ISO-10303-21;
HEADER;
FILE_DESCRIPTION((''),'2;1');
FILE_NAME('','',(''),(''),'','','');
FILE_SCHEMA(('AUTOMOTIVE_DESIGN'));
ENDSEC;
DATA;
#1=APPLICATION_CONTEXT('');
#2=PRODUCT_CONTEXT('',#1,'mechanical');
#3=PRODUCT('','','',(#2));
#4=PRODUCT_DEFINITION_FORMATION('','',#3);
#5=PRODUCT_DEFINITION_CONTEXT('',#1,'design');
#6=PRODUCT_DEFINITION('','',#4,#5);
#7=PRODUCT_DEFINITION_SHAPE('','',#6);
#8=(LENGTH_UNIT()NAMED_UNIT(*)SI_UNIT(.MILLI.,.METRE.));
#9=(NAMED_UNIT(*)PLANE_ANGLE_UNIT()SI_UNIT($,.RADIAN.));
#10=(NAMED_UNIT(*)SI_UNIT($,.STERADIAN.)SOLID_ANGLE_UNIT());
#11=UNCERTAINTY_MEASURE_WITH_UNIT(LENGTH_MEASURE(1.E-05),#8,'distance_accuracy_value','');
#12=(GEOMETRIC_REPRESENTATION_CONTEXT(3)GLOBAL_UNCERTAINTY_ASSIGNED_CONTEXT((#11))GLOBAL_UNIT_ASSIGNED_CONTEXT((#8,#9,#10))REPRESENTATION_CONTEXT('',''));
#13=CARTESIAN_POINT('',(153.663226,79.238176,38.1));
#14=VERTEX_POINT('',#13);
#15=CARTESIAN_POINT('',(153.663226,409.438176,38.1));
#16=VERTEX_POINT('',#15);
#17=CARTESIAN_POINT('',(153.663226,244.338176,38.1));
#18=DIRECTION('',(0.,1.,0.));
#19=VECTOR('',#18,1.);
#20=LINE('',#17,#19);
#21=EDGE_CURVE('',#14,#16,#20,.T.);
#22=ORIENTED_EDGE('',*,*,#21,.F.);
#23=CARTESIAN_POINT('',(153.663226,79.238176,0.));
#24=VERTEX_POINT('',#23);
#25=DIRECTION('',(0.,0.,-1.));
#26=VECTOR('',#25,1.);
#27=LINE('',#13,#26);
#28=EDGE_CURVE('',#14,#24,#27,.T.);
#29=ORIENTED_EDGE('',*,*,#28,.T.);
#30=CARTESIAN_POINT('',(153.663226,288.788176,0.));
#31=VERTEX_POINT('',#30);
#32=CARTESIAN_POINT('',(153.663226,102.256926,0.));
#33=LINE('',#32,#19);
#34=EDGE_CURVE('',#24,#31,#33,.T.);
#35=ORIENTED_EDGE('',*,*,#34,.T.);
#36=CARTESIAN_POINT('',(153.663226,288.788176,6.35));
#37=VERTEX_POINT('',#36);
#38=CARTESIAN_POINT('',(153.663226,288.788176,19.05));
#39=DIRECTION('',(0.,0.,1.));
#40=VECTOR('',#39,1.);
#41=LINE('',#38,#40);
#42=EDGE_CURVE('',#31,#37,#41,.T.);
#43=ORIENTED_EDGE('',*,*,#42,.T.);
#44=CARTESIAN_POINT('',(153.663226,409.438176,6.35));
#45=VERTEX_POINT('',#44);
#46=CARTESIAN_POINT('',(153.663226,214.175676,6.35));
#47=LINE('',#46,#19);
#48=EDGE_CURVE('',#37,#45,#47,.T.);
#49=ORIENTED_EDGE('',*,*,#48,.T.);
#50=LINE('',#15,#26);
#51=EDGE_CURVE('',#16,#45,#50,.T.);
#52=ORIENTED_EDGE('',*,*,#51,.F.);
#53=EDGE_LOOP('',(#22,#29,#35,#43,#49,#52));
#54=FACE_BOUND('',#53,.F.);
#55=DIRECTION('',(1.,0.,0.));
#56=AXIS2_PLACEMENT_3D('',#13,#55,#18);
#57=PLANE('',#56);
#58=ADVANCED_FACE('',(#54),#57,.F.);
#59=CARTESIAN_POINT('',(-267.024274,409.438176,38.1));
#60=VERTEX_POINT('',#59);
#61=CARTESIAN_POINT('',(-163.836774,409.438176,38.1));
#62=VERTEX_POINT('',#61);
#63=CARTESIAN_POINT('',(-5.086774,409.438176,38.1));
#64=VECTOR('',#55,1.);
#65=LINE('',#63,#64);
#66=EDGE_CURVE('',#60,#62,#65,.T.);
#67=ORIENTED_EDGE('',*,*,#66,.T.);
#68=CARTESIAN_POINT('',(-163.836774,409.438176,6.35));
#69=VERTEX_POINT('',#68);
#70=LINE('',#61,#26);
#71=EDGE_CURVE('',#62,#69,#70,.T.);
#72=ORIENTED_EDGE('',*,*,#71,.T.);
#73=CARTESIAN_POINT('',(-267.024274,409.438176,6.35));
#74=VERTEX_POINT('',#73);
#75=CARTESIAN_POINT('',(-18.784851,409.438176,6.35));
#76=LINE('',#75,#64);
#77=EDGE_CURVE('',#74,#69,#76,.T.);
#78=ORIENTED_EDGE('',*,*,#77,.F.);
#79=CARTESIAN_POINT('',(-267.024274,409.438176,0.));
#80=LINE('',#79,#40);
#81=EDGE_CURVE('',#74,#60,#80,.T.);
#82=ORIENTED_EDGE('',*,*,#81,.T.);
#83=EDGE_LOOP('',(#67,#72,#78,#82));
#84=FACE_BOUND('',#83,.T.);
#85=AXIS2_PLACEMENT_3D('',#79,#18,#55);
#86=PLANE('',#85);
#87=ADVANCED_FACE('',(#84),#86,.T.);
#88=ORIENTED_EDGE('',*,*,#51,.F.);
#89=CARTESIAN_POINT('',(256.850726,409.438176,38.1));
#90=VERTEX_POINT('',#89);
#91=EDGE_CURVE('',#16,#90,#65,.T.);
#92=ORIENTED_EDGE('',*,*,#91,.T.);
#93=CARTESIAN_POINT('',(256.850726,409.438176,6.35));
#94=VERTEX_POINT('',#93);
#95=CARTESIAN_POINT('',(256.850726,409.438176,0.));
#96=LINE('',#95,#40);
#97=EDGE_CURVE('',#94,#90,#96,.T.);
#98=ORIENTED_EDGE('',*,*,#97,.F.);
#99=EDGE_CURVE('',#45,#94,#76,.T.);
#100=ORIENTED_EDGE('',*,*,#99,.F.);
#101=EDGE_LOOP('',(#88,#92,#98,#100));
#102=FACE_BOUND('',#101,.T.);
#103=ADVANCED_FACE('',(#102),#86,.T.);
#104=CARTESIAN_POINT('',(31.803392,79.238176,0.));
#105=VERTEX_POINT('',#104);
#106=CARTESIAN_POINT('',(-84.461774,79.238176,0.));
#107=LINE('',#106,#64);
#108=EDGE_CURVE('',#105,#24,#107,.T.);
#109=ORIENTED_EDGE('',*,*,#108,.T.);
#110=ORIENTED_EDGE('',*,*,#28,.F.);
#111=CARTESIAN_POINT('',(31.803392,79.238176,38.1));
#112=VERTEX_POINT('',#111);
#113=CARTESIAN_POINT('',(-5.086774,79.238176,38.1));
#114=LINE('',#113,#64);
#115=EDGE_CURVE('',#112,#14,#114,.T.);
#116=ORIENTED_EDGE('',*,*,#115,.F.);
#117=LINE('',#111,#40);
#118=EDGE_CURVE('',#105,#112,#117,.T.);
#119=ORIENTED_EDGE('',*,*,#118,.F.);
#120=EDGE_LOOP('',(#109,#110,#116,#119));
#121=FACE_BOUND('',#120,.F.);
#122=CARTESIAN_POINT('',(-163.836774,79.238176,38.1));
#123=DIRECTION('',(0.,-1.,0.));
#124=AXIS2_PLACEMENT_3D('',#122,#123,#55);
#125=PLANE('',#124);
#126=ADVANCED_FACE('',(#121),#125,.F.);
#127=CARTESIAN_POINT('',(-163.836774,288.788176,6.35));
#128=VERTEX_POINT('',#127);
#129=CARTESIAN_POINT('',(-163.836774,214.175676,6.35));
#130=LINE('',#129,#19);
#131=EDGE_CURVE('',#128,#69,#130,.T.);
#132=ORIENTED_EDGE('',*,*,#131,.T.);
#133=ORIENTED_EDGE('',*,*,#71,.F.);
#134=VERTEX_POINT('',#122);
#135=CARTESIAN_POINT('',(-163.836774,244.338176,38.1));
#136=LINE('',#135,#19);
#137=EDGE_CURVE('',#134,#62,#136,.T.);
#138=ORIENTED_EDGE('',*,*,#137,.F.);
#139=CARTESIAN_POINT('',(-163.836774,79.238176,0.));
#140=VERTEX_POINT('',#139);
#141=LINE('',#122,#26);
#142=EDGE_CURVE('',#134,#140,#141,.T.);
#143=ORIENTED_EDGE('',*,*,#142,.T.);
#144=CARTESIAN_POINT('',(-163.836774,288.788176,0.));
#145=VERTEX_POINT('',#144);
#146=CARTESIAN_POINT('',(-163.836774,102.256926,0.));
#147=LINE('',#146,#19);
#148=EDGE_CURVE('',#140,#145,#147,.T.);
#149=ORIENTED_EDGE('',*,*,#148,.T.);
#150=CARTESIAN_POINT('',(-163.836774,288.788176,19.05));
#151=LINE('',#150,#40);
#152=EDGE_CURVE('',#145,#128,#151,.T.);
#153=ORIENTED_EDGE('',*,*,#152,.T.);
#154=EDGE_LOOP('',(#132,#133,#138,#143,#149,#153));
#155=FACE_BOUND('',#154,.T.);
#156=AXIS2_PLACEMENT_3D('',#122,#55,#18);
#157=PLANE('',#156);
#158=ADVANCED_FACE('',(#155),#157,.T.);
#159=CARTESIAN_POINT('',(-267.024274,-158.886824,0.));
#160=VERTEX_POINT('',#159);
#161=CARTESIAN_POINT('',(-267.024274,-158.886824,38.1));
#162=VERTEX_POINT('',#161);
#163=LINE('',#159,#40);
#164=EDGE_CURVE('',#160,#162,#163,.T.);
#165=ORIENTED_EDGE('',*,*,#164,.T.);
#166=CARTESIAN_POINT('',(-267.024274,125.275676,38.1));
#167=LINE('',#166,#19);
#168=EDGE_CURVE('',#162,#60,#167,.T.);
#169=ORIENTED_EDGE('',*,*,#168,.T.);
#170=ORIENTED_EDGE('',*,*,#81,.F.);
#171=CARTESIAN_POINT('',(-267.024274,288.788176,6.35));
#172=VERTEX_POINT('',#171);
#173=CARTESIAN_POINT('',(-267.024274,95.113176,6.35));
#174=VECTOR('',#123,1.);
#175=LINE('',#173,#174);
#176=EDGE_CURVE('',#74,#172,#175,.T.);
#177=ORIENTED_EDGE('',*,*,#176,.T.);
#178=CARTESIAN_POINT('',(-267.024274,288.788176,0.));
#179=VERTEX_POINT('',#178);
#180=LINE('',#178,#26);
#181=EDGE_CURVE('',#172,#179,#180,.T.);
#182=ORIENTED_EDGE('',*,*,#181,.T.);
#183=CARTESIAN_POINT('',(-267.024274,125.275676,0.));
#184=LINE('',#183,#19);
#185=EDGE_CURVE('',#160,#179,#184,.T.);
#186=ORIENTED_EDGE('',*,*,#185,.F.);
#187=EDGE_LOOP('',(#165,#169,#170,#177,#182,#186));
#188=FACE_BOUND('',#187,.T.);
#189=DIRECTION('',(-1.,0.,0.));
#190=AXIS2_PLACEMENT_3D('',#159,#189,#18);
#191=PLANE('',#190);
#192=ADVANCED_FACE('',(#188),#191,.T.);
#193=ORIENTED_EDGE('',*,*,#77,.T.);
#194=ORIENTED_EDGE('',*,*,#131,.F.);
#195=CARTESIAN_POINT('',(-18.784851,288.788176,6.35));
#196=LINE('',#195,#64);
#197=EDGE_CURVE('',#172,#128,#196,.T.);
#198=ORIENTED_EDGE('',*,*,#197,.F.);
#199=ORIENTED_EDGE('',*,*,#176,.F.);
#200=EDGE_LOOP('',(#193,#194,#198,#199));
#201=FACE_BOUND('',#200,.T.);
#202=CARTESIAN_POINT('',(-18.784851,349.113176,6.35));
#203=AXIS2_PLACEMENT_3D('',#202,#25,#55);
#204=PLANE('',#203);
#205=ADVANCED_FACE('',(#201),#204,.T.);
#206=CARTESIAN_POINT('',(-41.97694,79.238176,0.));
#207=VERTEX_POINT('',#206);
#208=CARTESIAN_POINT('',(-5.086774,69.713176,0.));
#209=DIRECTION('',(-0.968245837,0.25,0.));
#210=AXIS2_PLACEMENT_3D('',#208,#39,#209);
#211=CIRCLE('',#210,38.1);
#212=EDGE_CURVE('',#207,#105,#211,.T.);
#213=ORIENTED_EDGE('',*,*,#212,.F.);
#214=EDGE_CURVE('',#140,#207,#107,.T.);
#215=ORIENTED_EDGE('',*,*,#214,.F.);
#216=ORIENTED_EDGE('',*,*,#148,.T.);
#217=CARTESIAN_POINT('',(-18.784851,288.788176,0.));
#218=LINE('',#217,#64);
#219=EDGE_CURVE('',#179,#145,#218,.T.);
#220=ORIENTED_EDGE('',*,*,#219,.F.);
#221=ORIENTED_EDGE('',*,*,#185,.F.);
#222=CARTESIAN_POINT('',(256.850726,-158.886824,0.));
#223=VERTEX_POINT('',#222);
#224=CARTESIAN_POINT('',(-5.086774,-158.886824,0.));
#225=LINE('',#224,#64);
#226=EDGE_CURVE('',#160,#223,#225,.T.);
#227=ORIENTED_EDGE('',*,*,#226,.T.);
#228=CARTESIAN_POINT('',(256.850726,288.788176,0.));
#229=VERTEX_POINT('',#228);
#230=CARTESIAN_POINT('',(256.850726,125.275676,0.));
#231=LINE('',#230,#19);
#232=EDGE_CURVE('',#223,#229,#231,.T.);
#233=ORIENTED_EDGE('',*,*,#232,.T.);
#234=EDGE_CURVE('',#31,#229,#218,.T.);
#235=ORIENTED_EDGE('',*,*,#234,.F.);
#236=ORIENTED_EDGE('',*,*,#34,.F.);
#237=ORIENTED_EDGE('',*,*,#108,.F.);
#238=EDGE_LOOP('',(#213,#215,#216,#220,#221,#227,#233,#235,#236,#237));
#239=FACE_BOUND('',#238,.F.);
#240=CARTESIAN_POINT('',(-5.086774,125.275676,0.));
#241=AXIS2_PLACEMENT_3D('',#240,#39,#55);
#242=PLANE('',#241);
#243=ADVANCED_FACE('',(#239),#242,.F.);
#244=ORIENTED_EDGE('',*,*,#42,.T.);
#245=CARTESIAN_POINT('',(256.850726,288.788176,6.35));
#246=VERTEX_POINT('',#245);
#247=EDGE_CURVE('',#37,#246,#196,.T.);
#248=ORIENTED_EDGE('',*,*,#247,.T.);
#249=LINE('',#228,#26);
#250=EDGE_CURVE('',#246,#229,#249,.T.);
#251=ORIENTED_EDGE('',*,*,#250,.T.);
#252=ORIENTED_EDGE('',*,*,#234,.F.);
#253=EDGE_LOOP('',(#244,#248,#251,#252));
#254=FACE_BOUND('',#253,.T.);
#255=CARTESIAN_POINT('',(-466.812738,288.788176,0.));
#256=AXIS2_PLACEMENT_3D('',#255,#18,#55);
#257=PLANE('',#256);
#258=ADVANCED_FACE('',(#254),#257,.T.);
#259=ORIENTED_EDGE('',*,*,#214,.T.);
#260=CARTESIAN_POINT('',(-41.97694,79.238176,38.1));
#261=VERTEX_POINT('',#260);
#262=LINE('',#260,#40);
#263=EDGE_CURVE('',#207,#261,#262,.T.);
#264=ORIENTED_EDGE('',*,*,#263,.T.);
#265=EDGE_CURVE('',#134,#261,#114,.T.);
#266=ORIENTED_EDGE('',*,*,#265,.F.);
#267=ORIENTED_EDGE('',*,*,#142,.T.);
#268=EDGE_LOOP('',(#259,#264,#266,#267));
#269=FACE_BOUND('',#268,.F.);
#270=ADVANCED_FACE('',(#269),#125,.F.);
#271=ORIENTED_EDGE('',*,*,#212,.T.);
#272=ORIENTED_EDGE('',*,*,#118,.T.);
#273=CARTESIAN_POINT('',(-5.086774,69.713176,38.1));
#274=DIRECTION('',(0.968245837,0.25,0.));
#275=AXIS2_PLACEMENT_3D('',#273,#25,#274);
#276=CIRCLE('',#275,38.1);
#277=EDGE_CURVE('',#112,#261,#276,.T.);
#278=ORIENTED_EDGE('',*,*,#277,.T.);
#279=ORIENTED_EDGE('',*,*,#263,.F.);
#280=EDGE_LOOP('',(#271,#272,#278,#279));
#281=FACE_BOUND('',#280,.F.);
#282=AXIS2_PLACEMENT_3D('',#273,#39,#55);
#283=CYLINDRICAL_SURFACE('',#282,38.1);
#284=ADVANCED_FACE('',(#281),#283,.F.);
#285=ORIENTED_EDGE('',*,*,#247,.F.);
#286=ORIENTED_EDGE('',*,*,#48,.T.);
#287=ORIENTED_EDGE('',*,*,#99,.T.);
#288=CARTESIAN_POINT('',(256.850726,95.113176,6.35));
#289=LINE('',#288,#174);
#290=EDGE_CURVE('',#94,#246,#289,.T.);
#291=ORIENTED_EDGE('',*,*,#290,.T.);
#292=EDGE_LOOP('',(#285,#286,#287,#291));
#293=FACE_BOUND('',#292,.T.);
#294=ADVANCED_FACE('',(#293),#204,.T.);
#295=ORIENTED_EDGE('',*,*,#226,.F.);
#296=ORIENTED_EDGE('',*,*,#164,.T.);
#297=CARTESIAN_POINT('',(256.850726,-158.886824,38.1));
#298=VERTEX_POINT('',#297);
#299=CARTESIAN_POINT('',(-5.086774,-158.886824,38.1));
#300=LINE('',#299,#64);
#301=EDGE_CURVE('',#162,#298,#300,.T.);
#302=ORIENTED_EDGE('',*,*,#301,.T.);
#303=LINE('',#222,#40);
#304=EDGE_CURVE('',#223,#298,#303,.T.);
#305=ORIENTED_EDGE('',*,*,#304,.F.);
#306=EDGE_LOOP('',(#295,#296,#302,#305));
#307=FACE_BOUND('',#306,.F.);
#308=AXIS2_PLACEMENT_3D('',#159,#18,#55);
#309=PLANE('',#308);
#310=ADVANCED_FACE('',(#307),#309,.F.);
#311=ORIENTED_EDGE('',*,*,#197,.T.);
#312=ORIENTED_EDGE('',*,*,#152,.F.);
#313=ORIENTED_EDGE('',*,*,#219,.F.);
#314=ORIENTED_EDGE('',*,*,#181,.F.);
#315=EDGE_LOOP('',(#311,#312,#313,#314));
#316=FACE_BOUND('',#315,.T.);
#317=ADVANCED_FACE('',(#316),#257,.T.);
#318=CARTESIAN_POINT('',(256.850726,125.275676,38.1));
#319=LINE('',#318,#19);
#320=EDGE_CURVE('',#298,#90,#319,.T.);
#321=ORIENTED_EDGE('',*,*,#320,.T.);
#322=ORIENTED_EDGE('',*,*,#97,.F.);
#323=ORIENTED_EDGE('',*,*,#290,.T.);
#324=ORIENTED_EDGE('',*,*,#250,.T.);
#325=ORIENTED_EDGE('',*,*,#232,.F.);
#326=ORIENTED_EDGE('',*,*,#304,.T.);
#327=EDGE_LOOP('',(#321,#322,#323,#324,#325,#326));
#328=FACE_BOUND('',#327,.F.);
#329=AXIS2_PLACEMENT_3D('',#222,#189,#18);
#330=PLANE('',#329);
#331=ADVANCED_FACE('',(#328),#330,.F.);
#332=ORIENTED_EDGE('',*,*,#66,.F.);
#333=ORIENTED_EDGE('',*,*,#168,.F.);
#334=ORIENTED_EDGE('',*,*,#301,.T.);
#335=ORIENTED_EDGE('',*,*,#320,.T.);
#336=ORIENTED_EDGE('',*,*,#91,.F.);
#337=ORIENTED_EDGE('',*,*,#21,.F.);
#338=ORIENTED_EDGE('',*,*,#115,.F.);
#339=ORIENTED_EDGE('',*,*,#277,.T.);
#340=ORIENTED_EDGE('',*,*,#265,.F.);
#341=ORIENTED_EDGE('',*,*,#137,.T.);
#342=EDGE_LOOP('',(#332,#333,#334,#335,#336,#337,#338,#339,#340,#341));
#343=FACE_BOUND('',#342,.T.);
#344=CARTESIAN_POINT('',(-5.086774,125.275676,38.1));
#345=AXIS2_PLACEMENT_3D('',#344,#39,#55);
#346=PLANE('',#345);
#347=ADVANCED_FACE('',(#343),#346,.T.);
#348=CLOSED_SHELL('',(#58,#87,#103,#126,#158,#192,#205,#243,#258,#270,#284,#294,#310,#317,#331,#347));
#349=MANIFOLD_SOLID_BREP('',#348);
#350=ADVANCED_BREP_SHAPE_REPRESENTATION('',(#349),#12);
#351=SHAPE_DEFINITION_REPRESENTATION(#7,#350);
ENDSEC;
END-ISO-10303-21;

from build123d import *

# Parameters (mm, degrees)
F0_W     = 523.875
F0_H     = 568.325
F1_DEPTH = 38.1
F2_R     = 38.1
F3_DEPTH = 50.8
F4_W     = 317.5
F4_H     = 330.2
F5_DEPTH = 50.8
F6_W     = 896.055773
F6_H     = 120.65
F7_DEPTH = 6.35


with BuildPart() as f1:
    # F0 (on Top) → F1 (new body)
    with BuildSketch(Plane.XY):
        with Locations((-5.086774, 125.275676)):
            Rectangle(F0_W, F0_H)
    extrude(amount=F1_DEPTH)

    # F2 (on face) → F3 (cut)
    with BuildSketch(Plane.XY.offset(38.1)):
        with Locations((-5.086774, 69.713176)):
            Circle(F2_R)
    extrude(amount=-F3_DEPTH, mode=Mode.SUBTRACT)

    # F4 (on face) → F5 (cut)
    with BuildSketch(Plane.XY.offset(38.1)):
        with Locations((-5.086774, 244.338176)):
            Rectangle(F4_W, F4_H)
    extrude(amount=-F5_DEPTH, mode=Mode.SUBTRACT)

    # F6 (on face) → F7 (cut)
    with BuildSketch(Plane(origin=(0, 0, 0), x_dir=(1, 0, 0), z_dir=(0, 0, -1))):
        with Locations((-18.784851, -349.113176)):
            Rectangle(F6_W, F6_H)
    extrude(amount=-F7_DEPTH, mode=Mode.SUBTRACT)


solid = f1.part
